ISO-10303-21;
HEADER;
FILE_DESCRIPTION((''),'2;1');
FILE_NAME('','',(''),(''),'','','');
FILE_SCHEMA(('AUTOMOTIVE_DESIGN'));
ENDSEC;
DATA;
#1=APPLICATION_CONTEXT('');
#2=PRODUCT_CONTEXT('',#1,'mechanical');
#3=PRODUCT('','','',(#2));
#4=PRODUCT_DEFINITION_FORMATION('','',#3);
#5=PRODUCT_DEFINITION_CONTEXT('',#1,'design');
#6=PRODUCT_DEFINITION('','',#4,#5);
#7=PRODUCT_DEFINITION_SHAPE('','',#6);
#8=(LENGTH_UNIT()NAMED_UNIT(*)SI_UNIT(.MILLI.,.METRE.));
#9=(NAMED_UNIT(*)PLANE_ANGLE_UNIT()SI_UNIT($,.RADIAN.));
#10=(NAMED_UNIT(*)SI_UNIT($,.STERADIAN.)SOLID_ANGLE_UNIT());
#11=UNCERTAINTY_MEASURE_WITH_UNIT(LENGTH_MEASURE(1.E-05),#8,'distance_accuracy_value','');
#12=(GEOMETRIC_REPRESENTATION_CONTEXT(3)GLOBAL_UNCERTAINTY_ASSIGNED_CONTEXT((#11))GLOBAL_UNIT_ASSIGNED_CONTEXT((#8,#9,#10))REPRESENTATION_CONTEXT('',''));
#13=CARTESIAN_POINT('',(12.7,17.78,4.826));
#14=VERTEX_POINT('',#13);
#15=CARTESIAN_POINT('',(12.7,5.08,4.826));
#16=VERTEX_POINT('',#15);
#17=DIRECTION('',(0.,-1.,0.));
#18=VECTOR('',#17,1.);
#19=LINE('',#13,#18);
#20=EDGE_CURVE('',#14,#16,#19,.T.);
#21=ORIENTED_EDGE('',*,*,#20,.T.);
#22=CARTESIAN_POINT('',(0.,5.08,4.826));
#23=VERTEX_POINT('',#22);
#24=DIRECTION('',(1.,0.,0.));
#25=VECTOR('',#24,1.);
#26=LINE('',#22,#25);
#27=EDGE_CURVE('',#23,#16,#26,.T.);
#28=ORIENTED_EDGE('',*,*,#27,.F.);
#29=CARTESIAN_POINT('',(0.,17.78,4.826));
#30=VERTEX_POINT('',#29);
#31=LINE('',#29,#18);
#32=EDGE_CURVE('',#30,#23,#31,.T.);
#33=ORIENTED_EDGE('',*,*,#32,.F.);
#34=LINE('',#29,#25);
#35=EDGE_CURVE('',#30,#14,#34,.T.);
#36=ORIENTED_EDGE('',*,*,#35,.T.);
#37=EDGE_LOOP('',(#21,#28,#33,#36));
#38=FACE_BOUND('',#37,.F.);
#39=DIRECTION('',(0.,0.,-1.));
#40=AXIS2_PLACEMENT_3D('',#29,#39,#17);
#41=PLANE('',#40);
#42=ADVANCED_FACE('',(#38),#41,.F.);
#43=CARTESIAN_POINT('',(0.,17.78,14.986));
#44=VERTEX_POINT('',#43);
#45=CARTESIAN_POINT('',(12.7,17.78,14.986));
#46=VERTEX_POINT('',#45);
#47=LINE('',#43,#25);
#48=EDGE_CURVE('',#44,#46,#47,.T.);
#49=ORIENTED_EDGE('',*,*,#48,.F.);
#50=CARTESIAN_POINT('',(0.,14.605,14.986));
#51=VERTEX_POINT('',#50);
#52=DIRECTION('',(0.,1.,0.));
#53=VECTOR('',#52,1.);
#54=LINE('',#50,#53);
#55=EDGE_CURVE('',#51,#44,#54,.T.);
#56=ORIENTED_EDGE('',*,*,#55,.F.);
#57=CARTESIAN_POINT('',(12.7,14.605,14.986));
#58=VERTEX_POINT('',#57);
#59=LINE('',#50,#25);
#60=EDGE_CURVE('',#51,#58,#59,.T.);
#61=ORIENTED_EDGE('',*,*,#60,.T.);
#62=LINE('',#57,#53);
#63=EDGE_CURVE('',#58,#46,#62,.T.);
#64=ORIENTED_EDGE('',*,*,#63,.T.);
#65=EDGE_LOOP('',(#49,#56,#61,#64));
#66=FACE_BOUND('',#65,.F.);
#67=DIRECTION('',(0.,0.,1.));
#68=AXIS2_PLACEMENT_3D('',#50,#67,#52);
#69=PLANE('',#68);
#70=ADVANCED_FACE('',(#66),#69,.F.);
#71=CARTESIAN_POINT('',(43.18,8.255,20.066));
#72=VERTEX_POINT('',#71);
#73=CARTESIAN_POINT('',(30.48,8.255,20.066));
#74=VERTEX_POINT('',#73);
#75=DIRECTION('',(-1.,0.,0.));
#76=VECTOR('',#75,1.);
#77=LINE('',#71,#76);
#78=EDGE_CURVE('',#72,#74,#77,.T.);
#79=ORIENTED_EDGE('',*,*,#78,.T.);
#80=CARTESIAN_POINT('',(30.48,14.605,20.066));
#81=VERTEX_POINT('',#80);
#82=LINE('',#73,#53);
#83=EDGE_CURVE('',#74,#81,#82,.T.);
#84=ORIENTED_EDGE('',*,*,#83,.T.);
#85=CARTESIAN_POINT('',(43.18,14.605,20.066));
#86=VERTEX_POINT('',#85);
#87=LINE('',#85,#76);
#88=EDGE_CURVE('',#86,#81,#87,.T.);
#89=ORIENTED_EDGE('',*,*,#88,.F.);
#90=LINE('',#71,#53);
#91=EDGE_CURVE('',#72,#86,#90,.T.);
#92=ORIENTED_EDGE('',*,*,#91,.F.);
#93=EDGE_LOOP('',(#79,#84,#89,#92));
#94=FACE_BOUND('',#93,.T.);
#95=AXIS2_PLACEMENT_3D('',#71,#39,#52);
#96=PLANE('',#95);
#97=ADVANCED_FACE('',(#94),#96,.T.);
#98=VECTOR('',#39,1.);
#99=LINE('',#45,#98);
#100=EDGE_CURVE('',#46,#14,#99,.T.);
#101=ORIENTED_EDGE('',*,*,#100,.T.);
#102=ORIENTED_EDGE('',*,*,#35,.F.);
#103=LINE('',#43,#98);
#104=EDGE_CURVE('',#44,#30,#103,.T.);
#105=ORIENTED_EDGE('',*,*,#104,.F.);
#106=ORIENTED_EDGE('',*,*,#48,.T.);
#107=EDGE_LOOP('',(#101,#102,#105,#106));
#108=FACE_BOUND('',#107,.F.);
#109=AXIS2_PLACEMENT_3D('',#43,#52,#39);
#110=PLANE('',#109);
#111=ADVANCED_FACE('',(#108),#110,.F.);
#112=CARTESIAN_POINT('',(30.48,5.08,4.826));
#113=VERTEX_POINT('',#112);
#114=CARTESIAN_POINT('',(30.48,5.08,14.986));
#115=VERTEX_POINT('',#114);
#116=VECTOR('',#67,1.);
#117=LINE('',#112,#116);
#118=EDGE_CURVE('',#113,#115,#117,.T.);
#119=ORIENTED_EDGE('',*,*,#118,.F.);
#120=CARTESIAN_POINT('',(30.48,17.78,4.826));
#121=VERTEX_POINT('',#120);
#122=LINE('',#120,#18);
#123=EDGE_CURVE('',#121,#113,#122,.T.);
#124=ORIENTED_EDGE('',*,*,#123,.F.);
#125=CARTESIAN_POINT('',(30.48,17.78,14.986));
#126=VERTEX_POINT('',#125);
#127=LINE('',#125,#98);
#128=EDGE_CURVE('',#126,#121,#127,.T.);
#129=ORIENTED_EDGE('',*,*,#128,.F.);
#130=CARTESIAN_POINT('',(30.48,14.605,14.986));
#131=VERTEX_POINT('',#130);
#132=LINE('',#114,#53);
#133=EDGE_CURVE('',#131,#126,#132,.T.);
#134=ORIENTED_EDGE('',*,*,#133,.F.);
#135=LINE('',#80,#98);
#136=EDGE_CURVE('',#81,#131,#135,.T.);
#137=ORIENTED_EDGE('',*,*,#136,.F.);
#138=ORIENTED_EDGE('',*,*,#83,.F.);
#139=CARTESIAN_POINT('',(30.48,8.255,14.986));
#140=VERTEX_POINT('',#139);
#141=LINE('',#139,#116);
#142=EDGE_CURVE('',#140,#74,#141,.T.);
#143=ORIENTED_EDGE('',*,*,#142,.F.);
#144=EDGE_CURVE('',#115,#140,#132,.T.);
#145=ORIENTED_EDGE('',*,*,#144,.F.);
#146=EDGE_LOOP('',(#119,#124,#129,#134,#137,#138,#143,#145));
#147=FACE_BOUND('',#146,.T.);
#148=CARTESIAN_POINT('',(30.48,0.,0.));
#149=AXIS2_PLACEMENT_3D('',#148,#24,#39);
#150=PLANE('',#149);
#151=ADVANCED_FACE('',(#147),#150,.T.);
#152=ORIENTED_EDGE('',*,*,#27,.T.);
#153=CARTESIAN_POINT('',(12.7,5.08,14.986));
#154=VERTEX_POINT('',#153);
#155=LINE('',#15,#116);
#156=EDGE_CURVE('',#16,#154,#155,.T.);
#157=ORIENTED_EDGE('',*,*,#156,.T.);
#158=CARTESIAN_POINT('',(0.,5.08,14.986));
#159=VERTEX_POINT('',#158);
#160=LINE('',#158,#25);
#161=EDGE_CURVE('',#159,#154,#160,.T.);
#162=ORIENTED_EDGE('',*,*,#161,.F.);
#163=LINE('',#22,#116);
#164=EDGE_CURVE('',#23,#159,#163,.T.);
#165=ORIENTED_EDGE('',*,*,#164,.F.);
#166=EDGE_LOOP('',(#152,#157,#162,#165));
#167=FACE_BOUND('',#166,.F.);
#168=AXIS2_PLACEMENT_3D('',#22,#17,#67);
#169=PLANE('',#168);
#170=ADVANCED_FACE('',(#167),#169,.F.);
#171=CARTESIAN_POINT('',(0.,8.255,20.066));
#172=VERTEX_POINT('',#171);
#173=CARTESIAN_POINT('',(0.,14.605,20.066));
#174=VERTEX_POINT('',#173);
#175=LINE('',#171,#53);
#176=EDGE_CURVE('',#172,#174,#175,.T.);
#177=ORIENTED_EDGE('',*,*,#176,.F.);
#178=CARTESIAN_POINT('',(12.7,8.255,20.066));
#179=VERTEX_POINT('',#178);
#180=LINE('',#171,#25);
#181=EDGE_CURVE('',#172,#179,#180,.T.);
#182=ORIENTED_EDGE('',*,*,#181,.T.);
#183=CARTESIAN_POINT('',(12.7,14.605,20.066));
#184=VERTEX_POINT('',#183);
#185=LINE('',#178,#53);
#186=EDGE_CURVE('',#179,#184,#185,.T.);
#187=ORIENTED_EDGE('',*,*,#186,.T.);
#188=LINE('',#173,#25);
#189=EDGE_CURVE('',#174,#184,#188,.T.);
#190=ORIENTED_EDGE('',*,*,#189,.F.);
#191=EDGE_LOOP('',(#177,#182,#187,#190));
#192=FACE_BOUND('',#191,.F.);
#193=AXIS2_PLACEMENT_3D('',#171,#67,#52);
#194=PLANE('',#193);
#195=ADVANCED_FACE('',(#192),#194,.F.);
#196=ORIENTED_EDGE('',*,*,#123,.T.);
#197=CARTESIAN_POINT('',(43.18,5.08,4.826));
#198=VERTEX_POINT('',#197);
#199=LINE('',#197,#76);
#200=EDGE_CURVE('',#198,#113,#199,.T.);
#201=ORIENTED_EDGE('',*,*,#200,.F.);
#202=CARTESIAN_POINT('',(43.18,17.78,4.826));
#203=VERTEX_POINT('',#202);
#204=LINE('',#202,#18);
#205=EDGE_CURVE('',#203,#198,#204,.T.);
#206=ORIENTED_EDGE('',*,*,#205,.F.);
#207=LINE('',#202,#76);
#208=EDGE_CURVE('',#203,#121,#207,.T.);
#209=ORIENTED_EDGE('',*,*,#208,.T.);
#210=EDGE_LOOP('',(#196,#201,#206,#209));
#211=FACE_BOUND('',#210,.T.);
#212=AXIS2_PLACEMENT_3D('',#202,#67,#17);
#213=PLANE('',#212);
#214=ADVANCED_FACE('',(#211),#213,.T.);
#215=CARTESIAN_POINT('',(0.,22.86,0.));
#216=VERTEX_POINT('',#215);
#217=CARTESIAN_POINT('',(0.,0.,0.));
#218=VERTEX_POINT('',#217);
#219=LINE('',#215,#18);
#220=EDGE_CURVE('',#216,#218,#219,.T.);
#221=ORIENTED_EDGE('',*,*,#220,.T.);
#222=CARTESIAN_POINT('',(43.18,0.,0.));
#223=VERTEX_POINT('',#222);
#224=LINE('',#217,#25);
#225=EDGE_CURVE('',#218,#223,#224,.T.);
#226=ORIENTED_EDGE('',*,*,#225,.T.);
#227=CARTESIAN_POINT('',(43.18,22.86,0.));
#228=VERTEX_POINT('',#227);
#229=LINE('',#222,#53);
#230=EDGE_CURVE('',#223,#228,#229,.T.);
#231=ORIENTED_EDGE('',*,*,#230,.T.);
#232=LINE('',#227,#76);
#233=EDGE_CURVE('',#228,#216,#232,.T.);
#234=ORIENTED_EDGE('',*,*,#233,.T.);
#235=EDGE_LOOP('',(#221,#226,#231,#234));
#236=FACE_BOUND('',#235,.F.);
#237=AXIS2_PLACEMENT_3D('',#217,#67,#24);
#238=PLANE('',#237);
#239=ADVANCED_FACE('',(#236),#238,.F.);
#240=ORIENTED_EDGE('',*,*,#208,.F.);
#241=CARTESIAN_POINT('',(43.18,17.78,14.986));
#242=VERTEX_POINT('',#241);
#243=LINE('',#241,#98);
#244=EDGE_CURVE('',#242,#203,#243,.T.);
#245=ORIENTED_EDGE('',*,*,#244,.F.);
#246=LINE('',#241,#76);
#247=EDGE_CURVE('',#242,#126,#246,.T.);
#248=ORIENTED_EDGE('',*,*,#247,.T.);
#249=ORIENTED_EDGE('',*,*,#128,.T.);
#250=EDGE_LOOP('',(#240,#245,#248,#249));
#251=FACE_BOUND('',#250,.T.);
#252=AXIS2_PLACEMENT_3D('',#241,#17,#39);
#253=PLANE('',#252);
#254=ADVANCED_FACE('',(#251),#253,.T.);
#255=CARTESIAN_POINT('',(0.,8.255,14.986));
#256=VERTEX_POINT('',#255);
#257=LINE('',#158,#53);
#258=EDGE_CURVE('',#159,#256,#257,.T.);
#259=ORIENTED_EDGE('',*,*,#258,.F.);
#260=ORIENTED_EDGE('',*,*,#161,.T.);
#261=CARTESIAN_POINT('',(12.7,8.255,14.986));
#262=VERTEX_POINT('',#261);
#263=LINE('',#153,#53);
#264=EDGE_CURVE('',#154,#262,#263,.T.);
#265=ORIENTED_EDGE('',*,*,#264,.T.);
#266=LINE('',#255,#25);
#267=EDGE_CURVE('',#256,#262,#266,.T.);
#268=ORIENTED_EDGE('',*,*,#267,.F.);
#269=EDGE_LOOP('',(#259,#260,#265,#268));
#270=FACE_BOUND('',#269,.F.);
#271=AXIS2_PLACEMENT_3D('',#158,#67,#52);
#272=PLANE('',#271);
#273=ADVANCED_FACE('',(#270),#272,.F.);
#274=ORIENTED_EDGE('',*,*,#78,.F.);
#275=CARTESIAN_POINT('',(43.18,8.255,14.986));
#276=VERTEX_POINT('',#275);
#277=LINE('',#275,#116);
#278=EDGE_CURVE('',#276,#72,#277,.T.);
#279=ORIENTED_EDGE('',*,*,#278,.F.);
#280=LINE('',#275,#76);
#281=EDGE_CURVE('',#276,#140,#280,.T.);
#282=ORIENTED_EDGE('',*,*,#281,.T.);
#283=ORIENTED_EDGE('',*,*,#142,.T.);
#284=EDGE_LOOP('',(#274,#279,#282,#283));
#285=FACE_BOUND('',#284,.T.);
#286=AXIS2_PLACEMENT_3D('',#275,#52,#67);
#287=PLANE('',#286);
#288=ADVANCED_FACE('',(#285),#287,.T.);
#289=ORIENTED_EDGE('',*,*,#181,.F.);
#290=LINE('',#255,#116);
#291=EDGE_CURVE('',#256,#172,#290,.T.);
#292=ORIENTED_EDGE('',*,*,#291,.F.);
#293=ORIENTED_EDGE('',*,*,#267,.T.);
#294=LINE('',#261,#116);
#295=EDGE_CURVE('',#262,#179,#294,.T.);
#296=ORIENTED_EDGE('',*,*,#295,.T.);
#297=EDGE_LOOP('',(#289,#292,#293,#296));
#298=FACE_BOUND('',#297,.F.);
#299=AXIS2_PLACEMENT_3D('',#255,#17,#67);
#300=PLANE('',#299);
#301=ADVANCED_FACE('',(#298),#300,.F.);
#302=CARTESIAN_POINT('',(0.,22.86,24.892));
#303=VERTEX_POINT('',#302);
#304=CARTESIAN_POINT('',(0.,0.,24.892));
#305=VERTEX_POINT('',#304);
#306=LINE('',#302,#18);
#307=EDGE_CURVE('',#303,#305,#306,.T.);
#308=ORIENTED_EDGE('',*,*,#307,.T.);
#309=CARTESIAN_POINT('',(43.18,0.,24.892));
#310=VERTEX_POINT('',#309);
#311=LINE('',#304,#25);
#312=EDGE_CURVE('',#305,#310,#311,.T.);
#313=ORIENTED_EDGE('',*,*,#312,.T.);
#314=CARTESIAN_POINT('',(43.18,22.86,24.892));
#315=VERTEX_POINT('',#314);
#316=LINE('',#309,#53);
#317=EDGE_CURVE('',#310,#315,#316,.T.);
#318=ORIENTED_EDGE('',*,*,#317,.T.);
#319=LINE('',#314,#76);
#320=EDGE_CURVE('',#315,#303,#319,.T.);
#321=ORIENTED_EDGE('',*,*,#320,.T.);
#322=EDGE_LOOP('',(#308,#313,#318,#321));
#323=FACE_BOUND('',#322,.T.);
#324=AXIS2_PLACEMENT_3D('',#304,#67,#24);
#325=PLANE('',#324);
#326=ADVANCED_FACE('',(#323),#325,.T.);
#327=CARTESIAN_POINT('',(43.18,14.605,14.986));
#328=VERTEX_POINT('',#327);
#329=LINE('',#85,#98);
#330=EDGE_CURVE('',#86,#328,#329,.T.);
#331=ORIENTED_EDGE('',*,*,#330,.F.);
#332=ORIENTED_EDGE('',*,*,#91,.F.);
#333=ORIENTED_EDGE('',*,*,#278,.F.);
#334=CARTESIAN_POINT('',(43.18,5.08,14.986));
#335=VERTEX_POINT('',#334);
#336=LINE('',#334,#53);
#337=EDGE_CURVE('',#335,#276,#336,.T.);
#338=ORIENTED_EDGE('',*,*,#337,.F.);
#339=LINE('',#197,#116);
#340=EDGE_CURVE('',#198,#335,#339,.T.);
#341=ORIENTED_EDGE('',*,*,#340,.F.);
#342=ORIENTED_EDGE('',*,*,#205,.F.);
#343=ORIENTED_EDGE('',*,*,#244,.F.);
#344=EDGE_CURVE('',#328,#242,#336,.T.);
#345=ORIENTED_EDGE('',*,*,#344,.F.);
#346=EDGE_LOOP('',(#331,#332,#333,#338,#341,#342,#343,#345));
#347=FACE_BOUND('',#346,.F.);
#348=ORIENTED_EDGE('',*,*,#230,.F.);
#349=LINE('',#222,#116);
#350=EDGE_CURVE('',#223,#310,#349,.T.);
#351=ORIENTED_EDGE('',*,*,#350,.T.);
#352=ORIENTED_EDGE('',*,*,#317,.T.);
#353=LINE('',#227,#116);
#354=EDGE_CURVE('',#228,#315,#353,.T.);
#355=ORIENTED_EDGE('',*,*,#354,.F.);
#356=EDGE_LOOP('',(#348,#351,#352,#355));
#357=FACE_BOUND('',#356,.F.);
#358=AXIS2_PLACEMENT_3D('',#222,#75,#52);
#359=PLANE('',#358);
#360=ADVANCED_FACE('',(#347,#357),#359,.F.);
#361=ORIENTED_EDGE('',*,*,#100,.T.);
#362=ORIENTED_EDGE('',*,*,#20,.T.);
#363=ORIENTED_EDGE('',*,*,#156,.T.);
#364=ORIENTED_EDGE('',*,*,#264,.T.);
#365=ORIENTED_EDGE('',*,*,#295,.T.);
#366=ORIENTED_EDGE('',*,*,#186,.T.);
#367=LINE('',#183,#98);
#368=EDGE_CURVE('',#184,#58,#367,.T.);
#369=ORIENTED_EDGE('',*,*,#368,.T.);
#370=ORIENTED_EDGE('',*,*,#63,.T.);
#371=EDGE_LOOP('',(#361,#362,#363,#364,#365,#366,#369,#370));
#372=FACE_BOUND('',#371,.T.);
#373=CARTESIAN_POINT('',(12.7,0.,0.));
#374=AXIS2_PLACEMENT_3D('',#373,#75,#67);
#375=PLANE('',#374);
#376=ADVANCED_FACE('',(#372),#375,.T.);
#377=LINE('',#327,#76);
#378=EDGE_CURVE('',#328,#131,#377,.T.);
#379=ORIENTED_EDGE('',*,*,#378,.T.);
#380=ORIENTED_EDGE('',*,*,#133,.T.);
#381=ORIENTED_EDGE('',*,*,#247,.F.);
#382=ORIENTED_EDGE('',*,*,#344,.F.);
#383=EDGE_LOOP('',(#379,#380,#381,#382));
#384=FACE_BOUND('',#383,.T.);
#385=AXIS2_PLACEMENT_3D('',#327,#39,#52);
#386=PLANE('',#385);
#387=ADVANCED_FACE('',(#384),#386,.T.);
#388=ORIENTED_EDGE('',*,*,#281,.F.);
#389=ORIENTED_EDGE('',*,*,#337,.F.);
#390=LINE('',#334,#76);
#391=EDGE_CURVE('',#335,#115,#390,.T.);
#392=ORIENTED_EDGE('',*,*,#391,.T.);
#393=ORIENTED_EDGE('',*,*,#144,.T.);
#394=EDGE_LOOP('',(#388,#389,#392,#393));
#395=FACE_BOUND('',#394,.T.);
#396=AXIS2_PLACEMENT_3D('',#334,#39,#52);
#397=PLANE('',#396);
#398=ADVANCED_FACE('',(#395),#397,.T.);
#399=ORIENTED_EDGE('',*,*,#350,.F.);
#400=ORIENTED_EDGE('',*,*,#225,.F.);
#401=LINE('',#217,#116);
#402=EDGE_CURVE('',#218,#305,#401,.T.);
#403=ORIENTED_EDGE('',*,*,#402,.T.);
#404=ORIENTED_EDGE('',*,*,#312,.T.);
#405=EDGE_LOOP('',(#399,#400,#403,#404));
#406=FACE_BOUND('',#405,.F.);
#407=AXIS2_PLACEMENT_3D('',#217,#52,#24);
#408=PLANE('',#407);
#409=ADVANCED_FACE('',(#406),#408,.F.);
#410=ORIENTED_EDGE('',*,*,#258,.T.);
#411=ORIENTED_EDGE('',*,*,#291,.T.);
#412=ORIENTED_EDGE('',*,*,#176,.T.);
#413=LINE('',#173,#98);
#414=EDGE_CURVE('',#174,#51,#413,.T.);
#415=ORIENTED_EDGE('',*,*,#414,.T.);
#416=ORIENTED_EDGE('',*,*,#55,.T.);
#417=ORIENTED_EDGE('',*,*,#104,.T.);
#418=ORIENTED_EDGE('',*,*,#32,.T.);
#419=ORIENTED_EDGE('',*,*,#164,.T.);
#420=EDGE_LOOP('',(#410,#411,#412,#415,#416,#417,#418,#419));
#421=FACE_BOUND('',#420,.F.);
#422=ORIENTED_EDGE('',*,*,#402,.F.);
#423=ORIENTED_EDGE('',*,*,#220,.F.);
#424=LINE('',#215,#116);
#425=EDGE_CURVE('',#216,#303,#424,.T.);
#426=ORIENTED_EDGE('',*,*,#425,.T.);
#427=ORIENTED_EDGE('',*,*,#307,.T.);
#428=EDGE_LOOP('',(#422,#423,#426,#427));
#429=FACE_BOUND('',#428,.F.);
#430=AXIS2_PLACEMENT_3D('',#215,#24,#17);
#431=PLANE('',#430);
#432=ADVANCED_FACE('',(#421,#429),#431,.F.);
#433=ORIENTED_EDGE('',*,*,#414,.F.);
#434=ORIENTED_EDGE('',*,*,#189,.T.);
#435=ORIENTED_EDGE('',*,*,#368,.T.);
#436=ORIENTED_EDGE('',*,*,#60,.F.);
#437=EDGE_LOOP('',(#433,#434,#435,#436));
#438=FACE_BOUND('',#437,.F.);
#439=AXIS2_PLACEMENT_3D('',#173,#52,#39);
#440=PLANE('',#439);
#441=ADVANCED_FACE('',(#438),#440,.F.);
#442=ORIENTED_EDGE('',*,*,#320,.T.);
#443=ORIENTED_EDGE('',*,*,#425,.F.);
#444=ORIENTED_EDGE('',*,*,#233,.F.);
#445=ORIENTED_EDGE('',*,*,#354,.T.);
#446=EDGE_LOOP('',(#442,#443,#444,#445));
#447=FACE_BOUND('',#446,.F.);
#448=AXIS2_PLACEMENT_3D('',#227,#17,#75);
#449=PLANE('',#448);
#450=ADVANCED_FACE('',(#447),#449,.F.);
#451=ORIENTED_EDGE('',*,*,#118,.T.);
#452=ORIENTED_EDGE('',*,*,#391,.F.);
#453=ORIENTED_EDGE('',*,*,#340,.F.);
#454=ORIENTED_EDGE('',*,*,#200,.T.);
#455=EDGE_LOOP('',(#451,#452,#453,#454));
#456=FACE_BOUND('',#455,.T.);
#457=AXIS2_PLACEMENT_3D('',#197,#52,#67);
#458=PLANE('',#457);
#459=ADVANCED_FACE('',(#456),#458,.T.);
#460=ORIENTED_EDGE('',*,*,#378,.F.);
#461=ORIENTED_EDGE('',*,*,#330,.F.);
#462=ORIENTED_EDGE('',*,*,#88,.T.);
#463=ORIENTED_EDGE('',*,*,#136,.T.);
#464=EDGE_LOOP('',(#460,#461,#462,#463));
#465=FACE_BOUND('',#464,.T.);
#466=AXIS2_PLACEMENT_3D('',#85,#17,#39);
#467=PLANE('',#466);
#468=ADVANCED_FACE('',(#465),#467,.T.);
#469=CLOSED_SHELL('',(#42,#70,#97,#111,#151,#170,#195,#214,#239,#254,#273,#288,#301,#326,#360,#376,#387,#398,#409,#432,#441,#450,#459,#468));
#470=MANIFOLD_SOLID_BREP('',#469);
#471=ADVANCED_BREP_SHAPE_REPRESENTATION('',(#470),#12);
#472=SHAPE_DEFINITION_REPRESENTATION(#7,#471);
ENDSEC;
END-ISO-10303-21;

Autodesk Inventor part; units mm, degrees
ref_plane "YZ Plane" through (0, 0, 0) normal (1, 0, 0) x (0, 1, 0)
ref_plane "XZ Plane" through (0, 0, 0) normal (0, 1, 0) x (-1, 0, 0)
ref_plane "XY Plane" through (0, 0, 0) normal (0, 0, 1) x (1, 0, 0)
sketch "Sketch1" plane through (0, 0, 0) normal (0, 0, 1) x (1, 0, 0)
  line L0 (0, 0) -> (43.18, 0)
  line L1 (43.18, 0) -> (43.18, 22.86)
  line L2 (43.18, 22.86) -> (0, 22.86)
  line L3 (0, 22.86) -> (0, 0)
  dimension "d0" = 43.18
  dimension "d1" = 22.86
extrude "Extrusion1" add sketch "Sketch1" along normal blind 24.892
sketch "Sketch2" plane through (43.18, 0, 0) normal (1, 0, 0) x (0, 0, -1)
  line L0 (-4.826, 5.08) -> (-14.986, 5.08)
  line L1 (-14.986, 5.08) -> (-14.986, 17.78)
  line L2 (-14.986, 17.78) -> (-4.826, 17.78)
  line L3 (-4.826, 17.78) -> (-4.826, 5.08)
  line L4 (-24.892, 0) -> (-24.892, 22.86) construction
  line L5 (-14.986, 8.255) -> (-20.066, 8.255)
  line L6 (-20.066, 8.255) -> (-20.066, 14.605)
  line L7 (-20.066, 14.605) -> (-14.986, 14.605)
  line L8 (-14.986, 14.605) -> (-14.986, 8.255)
  line L9 (-20.066, 17.78) -> (-4.826, 17.78)
  line L10 (0, 22.86) -> (-24.892, 22.86) construction
  point P0 (0, 0)
  point P1 (-14.986, 11.43)
  point P2 (-24.892, 11.43)
  point P3 (-20.066, 11.43)
  point P4 (-12.446, 17.78)
  point P5 (-12.446, 22.86)
  dimension "d4" = 10.16
  dimension "d5" = 12.7
  dimension "d6" = 5.08
  dimension "d7" = 6.35
extrude "Extrusion2" cut sketch "Sketch2" against normal blind 12.7
sketch "Sketch3" plane through (0, 0, 0) normal (-1, 0, 0) x (0, 0, 1)
  line L0 (14.986, 14.605) -> (14.986, 17.78) projected
  line L1 (20.066, 14.605) -> (14.986, 14.605) projected
  line L2 (20.066, 8.255) -> (20.066, 14.605) projected
  line L3 (14.986, 8.255) -> (20.066, 8.255) projected
  line L4 (4.826, 5.08) -> (14.986, 5.08) projected
  line L5 (4.826, 17.78) -> (4.826, 5.08) projected
  line L6 (14.986, 17.78) -> (4.826, 17.78) projected
  line L7 (14.986, 5.08) -> (14.986, 8.255) projected
  point P0 (0, 0)
extrude "Extrusion3" cut sketch "Sketch3" against normal blind 12.7
properties part number "Ethernet Port" material "ABS Plastic"
